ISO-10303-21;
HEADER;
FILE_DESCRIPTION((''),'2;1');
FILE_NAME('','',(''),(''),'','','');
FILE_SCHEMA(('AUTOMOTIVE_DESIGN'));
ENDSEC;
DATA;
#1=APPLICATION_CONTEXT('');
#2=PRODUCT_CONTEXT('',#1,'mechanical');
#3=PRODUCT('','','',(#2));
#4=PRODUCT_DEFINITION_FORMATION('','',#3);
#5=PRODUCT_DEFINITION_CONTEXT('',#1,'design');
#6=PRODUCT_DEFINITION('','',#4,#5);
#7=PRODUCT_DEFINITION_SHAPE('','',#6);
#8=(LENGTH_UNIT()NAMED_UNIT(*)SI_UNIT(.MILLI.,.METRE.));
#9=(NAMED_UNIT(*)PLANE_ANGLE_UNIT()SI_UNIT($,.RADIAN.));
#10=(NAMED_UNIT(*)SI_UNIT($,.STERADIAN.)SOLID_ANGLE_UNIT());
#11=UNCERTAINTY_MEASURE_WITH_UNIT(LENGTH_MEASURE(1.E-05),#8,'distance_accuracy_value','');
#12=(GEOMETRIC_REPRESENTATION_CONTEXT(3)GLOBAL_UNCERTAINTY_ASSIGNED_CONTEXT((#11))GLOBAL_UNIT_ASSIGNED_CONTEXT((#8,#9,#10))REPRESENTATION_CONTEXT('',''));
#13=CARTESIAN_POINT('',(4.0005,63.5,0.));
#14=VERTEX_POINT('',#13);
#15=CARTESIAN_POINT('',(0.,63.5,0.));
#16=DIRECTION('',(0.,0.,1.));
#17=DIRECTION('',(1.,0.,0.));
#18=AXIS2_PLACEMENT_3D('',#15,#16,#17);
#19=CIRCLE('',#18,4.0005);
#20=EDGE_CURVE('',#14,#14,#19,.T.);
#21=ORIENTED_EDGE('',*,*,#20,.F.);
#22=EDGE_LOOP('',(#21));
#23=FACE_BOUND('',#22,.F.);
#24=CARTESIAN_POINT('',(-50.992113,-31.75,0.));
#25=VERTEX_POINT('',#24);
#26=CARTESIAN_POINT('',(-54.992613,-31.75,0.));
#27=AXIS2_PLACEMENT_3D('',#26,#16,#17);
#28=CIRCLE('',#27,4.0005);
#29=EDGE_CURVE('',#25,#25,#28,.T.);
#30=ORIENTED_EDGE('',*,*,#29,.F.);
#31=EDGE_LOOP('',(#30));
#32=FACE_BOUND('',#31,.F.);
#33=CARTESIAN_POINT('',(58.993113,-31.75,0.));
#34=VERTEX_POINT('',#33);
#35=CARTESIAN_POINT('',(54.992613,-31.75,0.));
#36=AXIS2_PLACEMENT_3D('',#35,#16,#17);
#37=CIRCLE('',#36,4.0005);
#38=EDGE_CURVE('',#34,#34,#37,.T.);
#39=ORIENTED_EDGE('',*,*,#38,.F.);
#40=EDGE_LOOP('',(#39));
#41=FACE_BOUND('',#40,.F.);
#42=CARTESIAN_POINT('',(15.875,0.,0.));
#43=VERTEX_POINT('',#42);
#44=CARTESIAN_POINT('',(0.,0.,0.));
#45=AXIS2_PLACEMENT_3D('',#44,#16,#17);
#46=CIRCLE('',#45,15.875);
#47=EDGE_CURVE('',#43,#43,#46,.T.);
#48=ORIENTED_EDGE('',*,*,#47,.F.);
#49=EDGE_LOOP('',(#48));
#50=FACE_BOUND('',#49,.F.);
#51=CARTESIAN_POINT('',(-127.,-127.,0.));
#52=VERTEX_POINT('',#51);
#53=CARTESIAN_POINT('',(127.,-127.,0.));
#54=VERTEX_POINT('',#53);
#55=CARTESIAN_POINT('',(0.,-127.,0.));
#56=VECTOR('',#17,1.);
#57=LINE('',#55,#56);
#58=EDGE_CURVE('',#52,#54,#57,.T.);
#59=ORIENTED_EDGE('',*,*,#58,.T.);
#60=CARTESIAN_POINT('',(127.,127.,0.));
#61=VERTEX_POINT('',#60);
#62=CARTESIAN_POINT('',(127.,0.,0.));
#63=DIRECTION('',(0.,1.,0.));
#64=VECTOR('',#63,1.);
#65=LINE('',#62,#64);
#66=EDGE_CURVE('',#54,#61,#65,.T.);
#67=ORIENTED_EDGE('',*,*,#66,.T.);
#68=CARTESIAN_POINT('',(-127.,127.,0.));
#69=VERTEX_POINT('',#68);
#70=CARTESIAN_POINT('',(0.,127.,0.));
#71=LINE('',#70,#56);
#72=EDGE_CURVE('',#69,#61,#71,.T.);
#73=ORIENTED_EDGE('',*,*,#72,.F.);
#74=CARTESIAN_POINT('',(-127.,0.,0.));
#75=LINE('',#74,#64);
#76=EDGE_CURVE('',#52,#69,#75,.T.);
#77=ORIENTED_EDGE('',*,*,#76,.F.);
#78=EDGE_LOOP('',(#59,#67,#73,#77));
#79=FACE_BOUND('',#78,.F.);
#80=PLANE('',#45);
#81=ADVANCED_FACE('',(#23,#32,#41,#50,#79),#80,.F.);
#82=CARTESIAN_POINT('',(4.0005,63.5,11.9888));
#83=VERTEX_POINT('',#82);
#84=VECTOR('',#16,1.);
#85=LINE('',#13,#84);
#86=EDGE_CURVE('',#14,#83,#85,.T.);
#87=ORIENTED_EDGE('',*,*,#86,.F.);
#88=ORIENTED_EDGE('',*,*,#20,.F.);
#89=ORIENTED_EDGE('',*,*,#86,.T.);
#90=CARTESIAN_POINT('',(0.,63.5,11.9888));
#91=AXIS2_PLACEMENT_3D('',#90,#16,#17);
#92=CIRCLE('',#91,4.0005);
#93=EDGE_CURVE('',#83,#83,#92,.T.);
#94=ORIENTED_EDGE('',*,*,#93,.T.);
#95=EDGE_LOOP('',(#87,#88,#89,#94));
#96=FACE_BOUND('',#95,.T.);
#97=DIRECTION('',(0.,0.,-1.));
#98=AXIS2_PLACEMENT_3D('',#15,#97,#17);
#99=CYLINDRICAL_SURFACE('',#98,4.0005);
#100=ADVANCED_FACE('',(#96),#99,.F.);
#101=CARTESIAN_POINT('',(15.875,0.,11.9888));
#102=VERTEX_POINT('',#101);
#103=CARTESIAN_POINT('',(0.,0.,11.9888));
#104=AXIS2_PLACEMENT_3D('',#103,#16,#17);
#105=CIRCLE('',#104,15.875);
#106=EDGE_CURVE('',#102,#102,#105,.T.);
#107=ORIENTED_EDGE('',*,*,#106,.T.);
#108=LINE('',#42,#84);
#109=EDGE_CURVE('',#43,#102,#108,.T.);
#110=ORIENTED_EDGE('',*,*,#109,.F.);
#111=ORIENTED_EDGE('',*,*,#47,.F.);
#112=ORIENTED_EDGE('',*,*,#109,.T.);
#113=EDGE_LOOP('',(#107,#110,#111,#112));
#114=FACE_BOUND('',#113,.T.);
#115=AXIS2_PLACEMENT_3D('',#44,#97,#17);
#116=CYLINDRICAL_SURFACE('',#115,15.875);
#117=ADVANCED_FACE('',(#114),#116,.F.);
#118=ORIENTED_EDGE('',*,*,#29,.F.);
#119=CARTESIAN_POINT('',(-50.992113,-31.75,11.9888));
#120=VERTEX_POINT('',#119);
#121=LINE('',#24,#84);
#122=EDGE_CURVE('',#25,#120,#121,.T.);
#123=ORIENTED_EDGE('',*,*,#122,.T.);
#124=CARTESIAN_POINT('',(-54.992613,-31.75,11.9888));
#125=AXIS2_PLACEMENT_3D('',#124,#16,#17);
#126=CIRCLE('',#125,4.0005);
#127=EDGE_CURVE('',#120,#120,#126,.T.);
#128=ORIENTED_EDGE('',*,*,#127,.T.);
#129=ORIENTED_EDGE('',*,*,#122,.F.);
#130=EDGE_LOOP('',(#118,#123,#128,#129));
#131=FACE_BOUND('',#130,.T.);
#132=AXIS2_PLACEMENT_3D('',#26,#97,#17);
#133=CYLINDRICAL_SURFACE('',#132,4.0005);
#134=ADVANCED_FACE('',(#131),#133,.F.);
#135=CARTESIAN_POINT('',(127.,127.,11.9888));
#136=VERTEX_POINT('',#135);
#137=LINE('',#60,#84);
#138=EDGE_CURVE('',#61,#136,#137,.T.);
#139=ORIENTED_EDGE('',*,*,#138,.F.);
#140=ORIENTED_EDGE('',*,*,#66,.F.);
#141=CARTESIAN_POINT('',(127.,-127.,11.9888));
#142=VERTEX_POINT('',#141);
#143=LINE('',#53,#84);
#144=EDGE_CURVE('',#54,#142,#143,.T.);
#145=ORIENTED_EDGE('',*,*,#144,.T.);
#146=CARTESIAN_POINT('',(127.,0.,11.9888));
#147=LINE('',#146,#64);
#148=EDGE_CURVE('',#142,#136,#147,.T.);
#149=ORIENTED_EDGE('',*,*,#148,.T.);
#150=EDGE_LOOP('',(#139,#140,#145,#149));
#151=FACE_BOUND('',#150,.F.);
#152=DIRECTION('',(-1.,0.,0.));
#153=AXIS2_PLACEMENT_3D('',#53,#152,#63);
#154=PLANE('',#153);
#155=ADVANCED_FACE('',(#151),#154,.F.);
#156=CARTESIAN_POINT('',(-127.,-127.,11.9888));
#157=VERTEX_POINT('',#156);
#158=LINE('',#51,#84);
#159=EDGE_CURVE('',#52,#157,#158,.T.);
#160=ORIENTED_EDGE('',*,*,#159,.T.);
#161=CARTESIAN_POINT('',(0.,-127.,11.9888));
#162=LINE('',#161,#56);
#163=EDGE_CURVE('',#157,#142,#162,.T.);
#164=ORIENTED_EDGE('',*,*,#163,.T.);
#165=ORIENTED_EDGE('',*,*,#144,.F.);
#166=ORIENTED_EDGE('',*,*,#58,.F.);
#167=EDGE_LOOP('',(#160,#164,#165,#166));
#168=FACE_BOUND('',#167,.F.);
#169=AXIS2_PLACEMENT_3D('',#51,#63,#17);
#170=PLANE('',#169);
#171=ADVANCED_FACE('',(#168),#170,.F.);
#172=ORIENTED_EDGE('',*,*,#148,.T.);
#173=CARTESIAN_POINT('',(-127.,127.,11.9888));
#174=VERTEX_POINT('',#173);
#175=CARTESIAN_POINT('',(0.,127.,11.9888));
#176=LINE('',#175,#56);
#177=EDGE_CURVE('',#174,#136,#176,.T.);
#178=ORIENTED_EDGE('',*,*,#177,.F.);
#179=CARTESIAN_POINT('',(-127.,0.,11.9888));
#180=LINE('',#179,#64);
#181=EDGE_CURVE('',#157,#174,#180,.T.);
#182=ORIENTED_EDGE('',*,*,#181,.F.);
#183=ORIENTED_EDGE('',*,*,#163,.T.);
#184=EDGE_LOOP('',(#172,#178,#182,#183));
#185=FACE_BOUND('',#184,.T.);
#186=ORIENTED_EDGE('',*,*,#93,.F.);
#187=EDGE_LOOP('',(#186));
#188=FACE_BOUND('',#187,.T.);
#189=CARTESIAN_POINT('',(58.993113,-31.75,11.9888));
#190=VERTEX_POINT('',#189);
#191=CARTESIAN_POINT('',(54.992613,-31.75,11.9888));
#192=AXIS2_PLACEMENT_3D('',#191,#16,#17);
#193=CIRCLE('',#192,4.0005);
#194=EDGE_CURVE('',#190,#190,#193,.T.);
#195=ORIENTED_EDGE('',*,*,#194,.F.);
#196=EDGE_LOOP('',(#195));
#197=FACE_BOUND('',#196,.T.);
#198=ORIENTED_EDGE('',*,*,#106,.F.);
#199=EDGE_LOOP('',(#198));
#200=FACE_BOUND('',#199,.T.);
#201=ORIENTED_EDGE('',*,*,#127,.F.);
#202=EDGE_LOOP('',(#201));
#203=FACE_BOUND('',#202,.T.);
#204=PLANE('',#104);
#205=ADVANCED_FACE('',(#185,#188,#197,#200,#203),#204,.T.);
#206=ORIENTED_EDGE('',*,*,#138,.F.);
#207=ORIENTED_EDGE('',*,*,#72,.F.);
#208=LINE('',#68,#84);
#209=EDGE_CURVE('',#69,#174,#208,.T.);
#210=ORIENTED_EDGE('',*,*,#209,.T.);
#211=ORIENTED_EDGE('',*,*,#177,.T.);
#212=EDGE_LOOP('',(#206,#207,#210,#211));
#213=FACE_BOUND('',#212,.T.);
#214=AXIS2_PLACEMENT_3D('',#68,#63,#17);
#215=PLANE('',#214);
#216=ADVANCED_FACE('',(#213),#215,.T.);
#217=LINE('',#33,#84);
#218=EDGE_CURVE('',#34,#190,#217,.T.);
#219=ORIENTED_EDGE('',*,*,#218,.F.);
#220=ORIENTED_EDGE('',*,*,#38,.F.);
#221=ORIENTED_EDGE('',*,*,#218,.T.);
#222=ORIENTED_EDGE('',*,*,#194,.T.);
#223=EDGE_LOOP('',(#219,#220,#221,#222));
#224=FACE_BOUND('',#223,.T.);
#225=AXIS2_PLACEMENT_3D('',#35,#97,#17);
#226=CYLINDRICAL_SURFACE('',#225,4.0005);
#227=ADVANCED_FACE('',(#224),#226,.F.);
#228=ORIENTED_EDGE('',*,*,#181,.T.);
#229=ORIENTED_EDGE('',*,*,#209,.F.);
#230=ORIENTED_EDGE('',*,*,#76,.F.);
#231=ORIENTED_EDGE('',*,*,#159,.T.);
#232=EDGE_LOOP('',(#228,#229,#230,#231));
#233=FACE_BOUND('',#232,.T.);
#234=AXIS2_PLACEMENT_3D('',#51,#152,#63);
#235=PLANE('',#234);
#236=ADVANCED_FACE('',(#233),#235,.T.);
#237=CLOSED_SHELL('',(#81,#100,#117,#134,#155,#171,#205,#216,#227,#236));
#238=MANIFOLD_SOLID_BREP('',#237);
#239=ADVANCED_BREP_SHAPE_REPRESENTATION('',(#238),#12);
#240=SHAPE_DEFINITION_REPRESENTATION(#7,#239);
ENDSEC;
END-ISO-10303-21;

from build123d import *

# Parameters (mm, degrees)
F0_W     = 254
F0_H     = 254
F0_R     = 4.0005
F0_R_2   = 15.875
F1_DEPTH = 11.9888


with BuildPart() as f1:
    # F0 (on Top) → F1 (new body)
    with BuildSketch(Plane.XY):
        Rectangle(F0_W, F0_H)
        with Locations((-54.992613, -31.75)):
            Circle(F0_R, mode=Mode.SUBTRACT)
        with Locations((54.992613, -31.75)):
            Circle(F0_R, mode=Mode.SUBTRACT)
        Circle(F0_R_2, mode=Mode.SUBTRACT)
        with Locations((0, 63.5)):
            Circle(F0_R, mode=Mode.SUBTRACT)
    extrude(amount=F1_DEPTH)


solid = f1.part
